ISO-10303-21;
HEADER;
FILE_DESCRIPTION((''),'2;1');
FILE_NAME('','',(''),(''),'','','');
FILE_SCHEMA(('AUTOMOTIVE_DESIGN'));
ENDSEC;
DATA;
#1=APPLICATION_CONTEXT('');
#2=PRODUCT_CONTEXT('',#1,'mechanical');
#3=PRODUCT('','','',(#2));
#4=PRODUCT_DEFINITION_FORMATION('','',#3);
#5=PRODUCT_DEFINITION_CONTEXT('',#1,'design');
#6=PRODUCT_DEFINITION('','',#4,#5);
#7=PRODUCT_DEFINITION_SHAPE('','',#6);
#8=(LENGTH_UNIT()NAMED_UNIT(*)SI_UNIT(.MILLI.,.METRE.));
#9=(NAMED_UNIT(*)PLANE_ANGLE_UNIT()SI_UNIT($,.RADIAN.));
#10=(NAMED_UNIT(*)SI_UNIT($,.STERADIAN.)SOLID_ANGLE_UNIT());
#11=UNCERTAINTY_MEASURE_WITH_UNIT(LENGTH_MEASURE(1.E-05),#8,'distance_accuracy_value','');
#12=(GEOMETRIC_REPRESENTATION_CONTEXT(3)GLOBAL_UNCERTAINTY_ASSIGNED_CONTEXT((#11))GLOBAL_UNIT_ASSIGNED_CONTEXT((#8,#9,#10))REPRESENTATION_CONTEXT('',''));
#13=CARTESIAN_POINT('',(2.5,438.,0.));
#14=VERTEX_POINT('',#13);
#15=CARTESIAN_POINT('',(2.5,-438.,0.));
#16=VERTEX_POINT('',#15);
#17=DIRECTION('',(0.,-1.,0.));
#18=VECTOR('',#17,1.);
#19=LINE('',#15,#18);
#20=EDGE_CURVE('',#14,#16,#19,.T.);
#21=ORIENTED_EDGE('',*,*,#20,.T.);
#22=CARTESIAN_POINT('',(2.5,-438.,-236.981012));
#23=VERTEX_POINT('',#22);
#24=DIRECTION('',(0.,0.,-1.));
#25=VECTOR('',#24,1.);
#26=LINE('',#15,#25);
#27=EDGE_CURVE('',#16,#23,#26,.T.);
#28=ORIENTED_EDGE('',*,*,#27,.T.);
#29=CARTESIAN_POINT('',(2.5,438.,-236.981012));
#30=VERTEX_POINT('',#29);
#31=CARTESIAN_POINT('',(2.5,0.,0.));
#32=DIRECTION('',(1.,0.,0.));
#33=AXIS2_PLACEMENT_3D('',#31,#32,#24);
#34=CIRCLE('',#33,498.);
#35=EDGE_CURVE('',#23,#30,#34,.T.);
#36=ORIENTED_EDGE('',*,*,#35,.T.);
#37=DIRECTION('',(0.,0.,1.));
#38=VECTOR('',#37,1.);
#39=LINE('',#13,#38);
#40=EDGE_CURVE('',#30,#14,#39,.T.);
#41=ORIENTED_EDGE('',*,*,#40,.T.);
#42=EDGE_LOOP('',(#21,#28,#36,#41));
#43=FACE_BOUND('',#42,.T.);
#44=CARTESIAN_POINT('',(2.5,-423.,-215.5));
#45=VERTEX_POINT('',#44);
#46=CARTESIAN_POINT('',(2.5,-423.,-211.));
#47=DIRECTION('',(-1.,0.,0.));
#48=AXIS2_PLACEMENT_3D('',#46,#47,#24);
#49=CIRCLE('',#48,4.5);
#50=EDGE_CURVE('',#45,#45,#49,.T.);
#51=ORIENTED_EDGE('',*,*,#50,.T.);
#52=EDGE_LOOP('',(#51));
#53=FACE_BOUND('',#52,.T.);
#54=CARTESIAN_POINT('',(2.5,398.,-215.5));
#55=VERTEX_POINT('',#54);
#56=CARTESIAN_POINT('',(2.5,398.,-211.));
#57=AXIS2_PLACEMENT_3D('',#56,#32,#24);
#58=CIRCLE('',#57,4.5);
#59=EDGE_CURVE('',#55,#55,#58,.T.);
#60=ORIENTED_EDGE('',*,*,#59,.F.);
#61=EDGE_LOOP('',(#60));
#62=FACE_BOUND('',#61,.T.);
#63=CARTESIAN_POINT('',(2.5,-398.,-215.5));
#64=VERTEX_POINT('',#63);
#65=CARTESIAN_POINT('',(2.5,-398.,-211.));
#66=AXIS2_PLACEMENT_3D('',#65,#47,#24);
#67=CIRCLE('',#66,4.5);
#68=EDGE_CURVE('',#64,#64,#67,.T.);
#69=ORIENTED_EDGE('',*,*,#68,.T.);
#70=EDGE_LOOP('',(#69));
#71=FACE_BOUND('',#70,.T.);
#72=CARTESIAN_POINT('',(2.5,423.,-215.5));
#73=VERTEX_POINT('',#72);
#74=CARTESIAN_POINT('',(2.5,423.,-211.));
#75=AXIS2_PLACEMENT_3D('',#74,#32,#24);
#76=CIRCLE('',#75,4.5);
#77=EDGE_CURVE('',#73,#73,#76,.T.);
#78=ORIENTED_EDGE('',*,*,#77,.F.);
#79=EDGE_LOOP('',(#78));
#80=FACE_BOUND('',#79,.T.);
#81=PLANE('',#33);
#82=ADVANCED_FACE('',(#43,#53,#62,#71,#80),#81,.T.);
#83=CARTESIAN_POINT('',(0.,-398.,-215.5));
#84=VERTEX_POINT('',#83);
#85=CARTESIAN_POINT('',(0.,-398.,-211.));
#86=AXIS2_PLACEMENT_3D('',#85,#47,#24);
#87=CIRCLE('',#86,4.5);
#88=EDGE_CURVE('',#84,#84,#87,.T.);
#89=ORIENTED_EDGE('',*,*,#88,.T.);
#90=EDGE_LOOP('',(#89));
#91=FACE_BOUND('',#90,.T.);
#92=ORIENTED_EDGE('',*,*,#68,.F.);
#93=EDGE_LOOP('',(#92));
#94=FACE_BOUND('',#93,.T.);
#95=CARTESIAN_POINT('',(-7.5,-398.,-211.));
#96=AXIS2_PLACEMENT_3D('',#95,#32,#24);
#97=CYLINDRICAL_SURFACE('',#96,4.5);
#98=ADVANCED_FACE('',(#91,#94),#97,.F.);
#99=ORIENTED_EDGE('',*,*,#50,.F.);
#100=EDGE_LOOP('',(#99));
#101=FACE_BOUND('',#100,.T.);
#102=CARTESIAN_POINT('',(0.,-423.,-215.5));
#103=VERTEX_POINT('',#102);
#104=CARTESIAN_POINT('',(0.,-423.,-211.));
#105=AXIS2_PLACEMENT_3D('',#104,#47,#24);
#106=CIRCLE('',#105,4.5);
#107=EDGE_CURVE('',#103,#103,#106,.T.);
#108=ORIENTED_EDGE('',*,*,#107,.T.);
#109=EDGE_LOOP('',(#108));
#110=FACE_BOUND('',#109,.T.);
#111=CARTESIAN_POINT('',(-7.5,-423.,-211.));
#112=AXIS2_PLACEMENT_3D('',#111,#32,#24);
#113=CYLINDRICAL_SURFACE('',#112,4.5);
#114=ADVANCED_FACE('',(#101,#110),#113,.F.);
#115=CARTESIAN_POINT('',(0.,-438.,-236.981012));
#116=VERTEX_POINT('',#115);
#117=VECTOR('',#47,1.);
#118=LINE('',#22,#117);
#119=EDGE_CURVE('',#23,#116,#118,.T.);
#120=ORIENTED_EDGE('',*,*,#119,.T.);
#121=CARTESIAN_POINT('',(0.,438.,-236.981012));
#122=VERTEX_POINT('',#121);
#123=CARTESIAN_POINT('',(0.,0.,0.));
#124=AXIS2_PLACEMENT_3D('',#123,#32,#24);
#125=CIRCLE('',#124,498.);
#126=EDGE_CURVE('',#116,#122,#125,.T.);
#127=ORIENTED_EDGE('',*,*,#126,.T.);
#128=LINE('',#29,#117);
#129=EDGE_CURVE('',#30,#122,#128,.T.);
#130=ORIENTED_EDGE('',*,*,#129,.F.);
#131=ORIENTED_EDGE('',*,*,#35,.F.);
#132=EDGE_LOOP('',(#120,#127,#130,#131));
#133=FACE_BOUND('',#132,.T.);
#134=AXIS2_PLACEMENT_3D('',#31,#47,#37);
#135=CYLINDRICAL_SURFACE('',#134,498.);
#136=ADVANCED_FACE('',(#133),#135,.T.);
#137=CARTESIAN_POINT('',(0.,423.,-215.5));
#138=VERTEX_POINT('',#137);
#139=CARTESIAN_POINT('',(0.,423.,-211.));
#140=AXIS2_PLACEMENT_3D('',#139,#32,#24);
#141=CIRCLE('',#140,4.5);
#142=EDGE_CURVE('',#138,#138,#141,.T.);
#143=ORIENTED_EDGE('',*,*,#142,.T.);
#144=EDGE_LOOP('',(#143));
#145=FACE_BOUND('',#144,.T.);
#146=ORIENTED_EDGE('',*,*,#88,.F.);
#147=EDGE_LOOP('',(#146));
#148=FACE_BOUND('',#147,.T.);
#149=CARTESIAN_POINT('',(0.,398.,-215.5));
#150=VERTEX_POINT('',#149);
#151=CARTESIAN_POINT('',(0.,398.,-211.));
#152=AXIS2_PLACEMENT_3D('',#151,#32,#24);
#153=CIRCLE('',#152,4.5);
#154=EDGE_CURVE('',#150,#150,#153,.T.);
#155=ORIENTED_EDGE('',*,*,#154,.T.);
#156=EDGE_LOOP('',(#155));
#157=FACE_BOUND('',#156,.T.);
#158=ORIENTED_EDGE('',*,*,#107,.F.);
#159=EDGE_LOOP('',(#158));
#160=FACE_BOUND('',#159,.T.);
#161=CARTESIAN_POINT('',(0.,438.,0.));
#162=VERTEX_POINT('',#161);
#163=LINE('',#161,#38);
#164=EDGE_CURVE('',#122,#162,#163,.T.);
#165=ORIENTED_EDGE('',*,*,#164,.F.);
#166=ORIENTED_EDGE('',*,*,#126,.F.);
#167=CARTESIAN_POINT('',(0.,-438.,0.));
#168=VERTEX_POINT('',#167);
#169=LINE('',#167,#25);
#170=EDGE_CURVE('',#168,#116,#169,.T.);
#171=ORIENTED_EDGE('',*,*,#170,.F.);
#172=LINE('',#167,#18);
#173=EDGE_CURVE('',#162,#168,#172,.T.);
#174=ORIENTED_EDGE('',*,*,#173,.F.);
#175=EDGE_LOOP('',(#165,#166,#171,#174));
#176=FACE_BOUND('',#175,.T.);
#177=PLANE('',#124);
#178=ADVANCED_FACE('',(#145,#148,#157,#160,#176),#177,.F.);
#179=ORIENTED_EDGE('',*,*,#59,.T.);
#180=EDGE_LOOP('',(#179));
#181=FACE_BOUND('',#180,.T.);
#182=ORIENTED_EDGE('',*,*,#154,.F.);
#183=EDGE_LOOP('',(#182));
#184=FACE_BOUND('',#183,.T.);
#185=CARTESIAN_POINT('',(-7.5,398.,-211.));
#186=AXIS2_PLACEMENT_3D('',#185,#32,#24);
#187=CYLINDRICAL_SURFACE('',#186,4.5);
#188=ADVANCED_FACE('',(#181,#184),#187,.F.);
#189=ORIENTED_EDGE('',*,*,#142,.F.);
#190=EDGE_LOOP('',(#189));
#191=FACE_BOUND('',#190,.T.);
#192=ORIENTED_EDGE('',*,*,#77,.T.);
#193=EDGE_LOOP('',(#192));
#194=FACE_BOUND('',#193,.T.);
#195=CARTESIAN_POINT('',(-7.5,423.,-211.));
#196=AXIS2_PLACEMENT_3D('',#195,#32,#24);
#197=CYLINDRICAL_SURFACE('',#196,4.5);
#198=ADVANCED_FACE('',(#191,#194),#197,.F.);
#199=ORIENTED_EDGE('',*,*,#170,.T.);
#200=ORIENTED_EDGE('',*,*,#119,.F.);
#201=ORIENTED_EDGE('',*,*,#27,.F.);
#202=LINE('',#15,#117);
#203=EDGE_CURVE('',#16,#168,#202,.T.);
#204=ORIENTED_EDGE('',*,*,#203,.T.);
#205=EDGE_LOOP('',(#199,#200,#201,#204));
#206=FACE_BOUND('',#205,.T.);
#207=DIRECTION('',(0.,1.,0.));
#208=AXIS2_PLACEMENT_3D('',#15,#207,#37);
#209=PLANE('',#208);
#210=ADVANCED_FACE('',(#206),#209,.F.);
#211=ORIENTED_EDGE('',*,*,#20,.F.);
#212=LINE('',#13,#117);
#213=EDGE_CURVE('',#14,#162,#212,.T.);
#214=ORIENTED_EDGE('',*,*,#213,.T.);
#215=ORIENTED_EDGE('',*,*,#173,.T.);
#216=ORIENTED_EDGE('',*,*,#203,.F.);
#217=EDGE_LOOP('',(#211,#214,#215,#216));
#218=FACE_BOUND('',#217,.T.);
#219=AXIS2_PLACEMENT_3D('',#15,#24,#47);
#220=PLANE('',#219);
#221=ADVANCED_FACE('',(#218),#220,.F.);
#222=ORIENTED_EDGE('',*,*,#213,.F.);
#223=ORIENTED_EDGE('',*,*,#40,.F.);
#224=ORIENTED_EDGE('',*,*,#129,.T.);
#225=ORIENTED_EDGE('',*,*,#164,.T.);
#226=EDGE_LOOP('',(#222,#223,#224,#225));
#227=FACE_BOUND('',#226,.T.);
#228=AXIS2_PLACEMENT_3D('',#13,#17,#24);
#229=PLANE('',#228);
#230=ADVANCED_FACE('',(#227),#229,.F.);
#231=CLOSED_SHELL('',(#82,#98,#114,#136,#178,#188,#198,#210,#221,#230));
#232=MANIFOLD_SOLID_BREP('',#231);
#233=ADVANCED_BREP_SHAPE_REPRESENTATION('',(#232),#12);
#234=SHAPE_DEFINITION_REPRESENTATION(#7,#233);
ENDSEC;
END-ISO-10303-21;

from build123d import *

# Parameters (mm, degrees)
BOSS_EXTRUDE1_DEPTH     = 2.5
SKETCH2_R               = 4.5
CUT_EXTRUDE1_DEPTH      = 10
LPATTERN1_COUNT         = 2
LPATTERN1_PITCH         = 25
MIRROR1_COPY_1_SKETCH_R = 4.5
MIRROR1_COPY_1_DEPTH    = 10


with BuildPart() as part:
    # Sketch1 → Boss-Extrude1 (new body)
    with BuildSketch(Plane(origin=(0, 0, 0), x_dir=(0, 0, -1), z_dir=(1, 0, 0))):
        with BuildLine():
            Line((0, 438), (236.981011898, 438))
            ThreePointArc((236.981011898, 438), (498, 0), (236.981011898, -438))
            Line((236.981011898, -438), (0, -438))
            Line((0, -438), (0, 438))
        make_face()
    extrude(amount=BOSS_EXTRUDE1_DEPTH)

    # Sketch2 → Cut-Extrude1 (cut)
    with BuildSketch(Plane(origin=(2.5, 0, 0), x_dir=(0, 0, -1), z_dir=(1, 0, 0))):
        with Locations((211, 423)):
            Circle(SKETCH2_R)
    cut_extrude1 = extrude(amount=-CUT_EXTRUDE1_DEPTH, mode=Mode.SUBTRACT)

    # LPattern1: Cut-Extrude1 ×2
    with Locations(*[(0, -i * LPATTERN1_PITCH, 0) for i in range(1, LPATTERN1_COUNT)]):
        add(cut_extrude1, mode=Mode.SUBTRACT)

    # Mirror1: Cut-Extrude1 across plane
    add(cut_extrude1.mirror(Plane.ZX), mode=Mode.SUBTRACT)

    # Mirror1 copy 1 sketch → Mirror1 copy 1 (cut)
    with BuildSketch(Plane(origin=(2.5, 25, 0), x_dir=(0, 0, -1), z_dir=(1, 0, 0))):
        with Locations((211, -423)):
            Circle(MIRROR1_COPY_1_SKETCH_R)
    extrude(amount=-MIRROR1_COPY_1_DEPTH, mode=Mode.SUBTRACT)


solid = part.part
